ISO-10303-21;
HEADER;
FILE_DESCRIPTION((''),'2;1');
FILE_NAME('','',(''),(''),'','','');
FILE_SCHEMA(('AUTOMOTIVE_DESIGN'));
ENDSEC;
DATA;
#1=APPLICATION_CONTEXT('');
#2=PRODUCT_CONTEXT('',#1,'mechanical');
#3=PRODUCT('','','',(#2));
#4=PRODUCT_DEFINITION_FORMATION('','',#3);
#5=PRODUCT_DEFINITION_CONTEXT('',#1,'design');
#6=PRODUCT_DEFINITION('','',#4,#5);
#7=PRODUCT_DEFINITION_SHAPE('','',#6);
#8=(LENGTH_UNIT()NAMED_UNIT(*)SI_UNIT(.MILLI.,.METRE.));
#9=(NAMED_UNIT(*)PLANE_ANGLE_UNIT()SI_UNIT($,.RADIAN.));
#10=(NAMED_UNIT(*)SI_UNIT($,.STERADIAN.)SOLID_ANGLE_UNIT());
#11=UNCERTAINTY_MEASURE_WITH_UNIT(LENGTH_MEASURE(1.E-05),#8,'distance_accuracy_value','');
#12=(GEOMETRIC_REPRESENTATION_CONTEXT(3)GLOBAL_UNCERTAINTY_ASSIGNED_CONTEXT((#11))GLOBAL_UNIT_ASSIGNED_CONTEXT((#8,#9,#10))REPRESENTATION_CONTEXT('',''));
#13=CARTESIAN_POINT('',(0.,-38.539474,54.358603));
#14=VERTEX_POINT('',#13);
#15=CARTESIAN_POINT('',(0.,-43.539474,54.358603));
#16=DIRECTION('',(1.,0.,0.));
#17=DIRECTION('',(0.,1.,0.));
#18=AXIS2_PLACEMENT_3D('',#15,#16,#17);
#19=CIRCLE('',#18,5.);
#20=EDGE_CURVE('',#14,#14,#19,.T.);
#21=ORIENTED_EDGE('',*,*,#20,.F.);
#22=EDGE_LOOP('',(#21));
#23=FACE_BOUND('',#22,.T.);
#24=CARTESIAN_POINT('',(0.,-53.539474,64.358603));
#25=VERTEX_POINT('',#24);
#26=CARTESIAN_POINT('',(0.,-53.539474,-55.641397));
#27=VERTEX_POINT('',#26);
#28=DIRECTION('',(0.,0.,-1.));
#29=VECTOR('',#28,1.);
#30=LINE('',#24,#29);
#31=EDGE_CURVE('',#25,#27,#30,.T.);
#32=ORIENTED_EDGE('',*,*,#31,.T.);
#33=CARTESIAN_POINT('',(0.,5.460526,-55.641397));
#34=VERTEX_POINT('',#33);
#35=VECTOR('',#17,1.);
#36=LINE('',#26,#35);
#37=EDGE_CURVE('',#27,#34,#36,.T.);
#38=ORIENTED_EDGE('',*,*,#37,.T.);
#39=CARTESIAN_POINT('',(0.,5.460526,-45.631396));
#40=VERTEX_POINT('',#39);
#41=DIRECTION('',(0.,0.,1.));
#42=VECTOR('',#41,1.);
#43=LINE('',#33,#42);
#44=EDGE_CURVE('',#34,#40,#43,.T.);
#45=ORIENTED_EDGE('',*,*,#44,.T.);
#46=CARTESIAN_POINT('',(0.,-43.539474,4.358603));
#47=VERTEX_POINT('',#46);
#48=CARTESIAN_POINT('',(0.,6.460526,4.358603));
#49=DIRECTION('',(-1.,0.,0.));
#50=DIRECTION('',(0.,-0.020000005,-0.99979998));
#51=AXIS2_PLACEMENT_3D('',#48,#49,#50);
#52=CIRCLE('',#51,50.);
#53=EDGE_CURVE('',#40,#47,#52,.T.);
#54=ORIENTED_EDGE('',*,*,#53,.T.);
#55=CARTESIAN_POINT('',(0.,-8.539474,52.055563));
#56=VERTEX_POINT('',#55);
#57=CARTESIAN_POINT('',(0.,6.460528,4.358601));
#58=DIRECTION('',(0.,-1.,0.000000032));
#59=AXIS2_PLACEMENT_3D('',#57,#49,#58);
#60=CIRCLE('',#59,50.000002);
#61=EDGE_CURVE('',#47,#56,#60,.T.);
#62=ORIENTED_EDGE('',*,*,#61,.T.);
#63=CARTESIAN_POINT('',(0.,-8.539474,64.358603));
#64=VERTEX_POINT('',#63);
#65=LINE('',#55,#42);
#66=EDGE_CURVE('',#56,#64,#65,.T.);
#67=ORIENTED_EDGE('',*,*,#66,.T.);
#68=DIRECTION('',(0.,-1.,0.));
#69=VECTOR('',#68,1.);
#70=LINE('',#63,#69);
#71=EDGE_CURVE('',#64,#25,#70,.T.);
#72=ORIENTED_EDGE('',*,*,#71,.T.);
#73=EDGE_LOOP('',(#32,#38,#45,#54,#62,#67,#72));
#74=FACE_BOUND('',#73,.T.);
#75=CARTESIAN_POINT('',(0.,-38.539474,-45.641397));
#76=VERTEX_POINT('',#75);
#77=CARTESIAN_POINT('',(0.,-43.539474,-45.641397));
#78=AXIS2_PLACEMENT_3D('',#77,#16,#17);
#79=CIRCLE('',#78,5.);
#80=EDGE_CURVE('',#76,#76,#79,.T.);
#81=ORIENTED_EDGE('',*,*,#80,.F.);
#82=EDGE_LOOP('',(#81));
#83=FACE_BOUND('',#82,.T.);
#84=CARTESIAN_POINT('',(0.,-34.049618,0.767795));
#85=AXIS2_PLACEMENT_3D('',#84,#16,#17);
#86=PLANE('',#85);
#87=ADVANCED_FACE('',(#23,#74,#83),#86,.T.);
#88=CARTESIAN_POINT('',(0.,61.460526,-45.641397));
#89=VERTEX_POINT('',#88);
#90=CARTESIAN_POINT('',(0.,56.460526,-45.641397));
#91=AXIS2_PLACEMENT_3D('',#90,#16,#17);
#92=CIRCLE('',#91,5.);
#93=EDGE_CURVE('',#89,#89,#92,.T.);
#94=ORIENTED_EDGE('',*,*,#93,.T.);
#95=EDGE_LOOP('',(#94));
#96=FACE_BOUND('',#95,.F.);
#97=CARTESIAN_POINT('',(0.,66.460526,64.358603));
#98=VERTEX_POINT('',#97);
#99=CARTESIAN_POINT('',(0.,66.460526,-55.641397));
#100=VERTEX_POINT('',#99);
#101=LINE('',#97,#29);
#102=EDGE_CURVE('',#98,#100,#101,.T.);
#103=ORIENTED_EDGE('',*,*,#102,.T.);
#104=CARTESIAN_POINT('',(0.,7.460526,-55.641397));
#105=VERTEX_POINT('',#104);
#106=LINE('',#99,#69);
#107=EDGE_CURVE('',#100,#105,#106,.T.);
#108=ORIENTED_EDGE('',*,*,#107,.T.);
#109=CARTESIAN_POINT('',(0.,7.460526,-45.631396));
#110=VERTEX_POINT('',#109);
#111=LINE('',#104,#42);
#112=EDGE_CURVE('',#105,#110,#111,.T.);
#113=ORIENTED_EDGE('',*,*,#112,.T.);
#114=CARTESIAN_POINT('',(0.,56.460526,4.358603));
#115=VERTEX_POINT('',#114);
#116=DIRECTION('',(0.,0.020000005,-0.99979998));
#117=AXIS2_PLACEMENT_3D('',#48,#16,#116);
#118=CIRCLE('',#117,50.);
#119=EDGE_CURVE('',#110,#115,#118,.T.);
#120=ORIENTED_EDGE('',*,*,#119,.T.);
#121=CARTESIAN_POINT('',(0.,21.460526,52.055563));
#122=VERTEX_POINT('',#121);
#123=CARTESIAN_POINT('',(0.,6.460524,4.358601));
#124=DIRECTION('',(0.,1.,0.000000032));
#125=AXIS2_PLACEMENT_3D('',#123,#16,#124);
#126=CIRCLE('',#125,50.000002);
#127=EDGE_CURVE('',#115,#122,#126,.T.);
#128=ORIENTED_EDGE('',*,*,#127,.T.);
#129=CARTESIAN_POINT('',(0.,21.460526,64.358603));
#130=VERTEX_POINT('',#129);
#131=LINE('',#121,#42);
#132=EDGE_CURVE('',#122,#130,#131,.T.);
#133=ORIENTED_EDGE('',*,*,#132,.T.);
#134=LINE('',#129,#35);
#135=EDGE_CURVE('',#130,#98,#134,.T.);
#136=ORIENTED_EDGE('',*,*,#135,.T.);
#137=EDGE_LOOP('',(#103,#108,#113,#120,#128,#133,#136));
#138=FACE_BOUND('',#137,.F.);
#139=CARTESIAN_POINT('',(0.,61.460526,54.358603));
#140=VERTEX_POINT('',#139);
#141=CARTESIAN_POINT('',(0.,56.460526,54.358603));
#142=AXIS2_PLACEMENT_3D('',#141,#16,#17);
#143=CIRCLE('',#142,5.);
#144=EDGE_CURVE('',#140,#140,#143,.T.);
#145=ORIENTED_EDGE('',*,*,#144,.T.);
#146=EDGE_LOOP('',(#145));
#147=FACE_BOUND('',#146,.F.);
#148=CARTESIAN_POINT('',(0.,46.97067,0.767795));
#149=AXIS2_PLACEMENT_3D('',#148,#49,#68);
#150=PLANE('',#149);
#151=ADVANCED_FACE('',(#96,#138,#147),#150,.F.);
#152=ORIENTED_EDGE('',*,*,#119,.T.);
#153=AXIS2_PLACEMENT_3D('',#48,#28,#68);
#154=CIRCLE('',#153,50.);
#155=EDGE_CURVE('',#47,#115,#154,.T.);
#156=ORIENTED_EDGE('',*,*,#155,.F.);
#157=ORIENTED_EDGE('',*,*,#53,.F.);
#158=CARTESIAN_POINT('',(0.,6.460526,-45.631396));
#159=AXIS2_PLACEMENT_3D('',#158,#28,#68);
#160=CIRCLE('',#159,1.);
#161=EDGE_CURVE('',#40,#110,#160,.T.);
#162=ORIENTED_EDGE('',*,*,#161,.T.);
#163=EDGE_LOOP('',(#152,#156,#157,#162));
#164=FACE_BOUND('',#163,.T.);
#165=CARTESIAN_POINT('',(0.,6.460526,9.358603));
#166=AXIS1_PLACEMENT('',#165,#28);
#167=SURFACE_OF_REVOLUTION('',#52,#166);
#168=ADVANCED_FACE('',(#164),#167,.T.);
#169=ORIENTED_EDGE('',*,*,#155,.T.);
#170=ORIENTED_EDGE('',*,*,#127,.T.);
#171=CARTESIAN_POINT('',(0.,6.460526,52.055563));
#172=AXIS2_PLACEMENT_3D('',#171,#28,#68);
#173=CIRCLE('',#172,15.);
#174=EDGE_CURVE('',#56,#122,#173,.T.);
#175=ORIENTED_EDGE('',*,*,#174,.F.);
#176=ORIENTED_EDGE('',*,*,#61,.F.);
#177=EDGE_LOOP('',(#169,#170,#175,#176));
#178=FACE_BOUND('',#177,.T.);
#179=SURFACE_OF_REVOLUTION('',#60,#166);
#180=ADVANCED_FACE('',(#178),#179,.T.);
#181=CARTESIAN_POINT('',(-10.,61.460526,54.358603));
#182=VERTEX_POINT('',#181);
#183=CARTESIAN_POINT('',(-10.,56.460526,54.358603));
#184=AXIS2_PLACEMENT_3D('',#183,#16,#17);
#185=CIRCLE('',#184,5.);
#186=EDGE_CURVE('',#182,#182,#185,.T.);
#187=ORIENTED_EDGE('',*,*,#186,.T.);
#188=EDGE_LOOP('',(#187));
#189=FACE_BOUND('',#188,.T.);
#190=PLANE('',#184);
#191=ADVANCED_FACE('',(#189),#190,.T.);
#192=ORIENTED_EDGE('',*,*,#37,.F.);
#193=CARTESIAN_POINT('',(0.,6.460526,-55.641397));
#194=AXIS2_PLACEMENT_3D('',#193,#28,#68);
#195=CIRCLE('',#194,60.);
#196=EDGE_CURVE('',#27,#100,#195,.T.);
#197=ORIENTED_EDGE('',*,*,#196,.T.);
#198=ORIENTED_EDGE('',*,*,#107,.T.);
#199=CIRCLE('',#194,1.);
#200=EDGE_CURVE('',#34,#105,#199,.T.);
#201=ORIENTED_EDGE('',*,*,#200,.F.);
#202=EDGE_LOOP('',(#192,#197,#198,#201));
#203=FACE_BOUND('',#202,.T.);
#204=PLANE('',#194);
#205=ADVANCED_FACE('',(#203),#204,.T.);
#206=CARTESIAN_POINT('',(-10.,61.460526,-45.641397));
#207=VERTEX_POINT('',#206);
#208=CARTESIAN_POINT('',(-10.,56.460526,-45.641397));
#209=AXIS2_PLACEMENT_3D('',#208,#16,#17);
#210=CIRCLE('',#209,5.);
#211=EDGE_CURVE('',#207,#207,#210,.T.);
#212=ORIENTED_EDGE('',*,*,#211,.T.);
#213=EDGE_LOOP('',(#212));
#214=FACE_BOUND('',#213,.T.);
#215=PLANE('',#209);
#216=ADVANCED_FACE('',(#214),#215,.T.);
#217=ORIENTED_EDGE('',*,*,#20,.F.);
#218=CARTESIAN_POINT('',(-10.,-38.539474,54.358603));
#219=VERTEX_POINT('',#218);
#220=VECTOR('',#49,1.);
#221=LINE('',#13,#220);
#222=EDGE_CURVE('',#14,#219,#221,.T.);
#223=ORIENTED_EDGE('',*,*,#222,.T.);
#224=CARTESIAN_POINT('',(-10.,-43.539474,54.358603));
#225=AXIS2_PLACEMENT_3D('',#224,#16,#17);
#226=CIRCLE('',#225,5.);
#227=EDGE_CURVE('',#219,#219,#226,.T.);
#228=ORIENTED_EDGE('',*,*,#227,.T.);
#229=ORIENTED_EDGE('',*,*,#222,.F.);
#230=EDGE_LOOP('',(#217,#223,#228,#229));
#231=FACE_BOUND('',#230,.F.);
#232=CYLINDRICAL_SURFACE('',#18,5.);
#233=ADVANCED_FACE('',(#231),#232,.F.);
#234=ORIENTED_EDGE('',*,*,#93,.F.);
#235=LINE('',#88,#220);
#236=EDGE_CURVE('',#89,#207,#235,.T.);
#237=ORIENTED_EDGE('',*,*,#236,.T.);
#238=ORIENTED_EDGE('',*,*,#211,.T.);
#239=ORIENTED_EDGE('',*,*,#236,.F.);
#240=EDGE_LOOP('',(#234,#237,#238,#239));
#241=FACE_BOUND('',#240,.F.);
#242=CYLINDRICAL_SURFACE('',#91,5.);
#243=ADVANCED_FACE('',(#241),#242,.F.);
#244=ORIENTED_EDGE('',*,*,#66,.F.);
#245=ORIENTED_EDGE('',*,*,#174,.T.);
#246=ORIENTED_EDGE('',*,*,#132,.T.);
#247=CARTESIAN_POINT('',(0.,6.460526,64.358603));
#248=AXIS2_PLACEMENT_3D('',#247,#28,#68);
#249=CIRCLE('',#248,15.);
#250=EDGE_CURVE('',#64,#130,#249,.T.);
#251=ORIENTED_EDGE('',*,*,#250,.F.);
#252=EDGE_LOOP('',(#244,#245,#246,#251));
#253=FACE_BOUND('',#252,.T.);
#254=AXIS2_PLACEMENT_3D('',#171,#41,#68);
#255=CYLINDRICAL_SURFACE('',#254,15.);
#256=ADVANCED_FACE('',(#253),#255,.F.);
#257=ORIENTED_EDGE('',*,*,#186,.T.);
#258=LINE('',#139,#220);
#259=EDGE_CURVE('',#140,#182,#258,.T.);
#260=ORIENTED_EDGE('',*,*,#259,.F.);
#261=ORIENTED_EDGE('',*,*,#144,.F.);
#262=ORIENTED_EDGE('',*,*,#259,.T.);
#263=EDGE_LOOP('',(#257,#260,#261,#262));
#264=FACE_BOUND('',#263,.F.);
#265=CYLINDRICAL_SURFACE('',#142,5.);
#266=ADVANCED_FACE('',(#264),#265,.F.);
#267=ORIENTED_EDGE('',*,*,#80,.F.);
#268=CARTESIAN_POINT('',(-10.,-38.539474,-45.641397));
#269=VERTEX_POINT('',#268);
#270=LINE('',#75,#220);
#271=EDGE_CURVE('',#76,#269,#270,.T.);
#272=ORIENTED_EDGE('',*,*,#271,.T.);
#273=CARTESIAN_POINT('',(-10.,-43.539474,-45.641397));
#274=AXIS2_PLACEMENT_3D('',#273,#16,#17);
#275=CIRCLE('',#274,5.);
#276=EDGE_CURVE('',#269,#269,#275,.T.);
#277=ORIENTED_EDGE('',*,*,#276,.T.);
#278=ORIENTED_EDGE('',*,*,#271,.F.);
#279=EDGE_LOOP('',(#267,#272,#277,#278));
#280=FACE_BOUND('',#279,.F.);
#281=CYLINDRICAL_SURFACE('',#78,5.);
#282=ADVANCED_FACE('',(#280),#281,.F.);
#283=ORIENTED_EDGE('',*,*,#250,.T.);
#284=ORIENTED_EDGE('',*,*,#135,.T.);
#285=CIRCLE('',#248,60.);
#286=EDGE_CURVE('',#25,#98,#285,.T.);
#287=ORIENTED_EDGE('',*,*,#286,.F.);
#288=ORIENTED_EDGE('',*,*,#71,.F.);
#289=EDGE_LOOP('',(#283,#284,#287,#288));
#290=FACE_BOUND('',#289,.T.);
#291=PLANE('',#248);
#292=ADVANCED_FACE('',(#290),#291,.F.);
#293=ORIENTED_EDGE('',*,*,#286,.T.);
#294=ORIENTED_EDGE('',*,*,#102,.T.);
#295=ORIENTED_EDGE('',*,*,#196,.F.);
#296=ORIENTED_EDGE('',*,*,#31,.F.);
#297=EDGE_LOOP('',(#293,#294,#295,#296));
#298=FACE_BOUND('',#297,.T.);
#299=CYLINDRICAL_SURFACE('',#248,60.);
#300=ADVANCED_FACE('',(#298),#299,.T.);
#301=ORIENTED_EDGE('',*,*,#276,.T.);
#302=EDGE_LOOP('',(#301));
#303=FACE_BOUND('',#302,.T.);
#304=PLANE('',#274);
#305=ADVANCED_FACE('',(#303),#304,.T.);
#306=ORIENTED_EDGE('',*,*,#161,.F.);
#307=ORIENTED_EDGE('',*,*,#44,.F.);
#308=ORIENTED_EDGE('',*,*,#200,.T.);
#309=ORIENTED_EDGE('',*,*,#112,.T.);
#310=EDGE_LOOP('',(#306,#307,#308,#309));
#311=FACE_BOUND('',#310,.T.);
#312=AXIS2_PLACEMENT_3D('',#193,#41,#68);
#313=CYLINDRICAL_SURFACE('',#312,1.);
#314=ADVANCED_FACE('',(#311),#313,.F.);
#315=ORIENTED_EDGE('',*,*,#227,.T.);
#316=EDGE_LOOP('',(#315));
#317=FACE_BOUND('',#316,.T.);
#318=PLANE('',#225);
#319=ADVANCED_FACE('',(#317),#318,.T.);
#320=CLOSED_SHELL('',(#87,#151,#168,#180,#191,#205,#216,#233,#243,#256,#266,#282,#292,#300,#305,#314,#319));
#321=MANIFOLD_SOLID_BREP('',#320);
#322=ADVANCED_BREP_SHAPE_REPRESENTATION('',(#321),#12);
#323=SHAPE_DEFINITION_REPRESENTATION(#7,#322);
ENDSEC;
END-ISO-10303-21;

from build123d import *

# Parameters (mm, degrees)
F0_R     = 5
F1_ANGLE = -180
F2_DEPTH = 10


with BuildPart() as f1:
    # F0 (on Right) → F1 (revolve)
    with BuildSketch(Plane.YZ):
        with BuildLine():
            Line((-8.539474, 54.358603), (-8.539474, 64.358603))
            Line((-8.539474, 64.358603), (-53.539474, 64.358603))
            Line((-53.539474, 64.358603), (-53.539474, -55.641397))
            Line((-53.539474, -55.641397), (5.460526, -55.641397))
            Line((5.460526, -55.641397), (5.460526, -45.641397))
            Line((5.460526, -45.641397), (5.460526, -45.631396))
            ThreePointArc((5.460526, -45.631396), (-29.246616, -30.641397), (-43.539474, 4.358603))
            ThreePointArc((-43.539474, 4.358603), (-33.850762, 33.939002), (-8.539474, 52.055563))
            Line((-8.539474, 52.055563), (-8.539474, 54.358603))
        make_face()
        with Locations((-43.539474, -45.641397)):
            Circle(F0_R, mode=Mode.SUBTRACT)
        with Locations((-43.539474, 54.358603)):
            Circle(F0_R, mode=Mode.SUBTRACT)
        with Locations((-43.539474, 54.358603)):
            Circle(F0_R)
        with Locations((-43.539474, -45.641397)):
            Circle(F0_R)
    revolve(axis=Axis((0, 6.460526, 9.358603), (0, 0, 1)), revolution_arc=F1_ANGLE)

    # F0 (on Right) → F2 (cut)
    with BuildSketch(Plane.YZ):
        with Locations((-43.539474, 54.358603)):
            Circle(F0_R)
        with Locations((56.460526, 54.358603)):
            Circle(F0_R)
        with Locations((-43.539474, -45.641397)):
            Circle(F0_R)
        with Locations((56.460526, -45.641397)):
            Circle(F0_R)
    extrude(amount=-F2_DEPTH, mode=Mode.SUBTRACT)


solid = f1.part
